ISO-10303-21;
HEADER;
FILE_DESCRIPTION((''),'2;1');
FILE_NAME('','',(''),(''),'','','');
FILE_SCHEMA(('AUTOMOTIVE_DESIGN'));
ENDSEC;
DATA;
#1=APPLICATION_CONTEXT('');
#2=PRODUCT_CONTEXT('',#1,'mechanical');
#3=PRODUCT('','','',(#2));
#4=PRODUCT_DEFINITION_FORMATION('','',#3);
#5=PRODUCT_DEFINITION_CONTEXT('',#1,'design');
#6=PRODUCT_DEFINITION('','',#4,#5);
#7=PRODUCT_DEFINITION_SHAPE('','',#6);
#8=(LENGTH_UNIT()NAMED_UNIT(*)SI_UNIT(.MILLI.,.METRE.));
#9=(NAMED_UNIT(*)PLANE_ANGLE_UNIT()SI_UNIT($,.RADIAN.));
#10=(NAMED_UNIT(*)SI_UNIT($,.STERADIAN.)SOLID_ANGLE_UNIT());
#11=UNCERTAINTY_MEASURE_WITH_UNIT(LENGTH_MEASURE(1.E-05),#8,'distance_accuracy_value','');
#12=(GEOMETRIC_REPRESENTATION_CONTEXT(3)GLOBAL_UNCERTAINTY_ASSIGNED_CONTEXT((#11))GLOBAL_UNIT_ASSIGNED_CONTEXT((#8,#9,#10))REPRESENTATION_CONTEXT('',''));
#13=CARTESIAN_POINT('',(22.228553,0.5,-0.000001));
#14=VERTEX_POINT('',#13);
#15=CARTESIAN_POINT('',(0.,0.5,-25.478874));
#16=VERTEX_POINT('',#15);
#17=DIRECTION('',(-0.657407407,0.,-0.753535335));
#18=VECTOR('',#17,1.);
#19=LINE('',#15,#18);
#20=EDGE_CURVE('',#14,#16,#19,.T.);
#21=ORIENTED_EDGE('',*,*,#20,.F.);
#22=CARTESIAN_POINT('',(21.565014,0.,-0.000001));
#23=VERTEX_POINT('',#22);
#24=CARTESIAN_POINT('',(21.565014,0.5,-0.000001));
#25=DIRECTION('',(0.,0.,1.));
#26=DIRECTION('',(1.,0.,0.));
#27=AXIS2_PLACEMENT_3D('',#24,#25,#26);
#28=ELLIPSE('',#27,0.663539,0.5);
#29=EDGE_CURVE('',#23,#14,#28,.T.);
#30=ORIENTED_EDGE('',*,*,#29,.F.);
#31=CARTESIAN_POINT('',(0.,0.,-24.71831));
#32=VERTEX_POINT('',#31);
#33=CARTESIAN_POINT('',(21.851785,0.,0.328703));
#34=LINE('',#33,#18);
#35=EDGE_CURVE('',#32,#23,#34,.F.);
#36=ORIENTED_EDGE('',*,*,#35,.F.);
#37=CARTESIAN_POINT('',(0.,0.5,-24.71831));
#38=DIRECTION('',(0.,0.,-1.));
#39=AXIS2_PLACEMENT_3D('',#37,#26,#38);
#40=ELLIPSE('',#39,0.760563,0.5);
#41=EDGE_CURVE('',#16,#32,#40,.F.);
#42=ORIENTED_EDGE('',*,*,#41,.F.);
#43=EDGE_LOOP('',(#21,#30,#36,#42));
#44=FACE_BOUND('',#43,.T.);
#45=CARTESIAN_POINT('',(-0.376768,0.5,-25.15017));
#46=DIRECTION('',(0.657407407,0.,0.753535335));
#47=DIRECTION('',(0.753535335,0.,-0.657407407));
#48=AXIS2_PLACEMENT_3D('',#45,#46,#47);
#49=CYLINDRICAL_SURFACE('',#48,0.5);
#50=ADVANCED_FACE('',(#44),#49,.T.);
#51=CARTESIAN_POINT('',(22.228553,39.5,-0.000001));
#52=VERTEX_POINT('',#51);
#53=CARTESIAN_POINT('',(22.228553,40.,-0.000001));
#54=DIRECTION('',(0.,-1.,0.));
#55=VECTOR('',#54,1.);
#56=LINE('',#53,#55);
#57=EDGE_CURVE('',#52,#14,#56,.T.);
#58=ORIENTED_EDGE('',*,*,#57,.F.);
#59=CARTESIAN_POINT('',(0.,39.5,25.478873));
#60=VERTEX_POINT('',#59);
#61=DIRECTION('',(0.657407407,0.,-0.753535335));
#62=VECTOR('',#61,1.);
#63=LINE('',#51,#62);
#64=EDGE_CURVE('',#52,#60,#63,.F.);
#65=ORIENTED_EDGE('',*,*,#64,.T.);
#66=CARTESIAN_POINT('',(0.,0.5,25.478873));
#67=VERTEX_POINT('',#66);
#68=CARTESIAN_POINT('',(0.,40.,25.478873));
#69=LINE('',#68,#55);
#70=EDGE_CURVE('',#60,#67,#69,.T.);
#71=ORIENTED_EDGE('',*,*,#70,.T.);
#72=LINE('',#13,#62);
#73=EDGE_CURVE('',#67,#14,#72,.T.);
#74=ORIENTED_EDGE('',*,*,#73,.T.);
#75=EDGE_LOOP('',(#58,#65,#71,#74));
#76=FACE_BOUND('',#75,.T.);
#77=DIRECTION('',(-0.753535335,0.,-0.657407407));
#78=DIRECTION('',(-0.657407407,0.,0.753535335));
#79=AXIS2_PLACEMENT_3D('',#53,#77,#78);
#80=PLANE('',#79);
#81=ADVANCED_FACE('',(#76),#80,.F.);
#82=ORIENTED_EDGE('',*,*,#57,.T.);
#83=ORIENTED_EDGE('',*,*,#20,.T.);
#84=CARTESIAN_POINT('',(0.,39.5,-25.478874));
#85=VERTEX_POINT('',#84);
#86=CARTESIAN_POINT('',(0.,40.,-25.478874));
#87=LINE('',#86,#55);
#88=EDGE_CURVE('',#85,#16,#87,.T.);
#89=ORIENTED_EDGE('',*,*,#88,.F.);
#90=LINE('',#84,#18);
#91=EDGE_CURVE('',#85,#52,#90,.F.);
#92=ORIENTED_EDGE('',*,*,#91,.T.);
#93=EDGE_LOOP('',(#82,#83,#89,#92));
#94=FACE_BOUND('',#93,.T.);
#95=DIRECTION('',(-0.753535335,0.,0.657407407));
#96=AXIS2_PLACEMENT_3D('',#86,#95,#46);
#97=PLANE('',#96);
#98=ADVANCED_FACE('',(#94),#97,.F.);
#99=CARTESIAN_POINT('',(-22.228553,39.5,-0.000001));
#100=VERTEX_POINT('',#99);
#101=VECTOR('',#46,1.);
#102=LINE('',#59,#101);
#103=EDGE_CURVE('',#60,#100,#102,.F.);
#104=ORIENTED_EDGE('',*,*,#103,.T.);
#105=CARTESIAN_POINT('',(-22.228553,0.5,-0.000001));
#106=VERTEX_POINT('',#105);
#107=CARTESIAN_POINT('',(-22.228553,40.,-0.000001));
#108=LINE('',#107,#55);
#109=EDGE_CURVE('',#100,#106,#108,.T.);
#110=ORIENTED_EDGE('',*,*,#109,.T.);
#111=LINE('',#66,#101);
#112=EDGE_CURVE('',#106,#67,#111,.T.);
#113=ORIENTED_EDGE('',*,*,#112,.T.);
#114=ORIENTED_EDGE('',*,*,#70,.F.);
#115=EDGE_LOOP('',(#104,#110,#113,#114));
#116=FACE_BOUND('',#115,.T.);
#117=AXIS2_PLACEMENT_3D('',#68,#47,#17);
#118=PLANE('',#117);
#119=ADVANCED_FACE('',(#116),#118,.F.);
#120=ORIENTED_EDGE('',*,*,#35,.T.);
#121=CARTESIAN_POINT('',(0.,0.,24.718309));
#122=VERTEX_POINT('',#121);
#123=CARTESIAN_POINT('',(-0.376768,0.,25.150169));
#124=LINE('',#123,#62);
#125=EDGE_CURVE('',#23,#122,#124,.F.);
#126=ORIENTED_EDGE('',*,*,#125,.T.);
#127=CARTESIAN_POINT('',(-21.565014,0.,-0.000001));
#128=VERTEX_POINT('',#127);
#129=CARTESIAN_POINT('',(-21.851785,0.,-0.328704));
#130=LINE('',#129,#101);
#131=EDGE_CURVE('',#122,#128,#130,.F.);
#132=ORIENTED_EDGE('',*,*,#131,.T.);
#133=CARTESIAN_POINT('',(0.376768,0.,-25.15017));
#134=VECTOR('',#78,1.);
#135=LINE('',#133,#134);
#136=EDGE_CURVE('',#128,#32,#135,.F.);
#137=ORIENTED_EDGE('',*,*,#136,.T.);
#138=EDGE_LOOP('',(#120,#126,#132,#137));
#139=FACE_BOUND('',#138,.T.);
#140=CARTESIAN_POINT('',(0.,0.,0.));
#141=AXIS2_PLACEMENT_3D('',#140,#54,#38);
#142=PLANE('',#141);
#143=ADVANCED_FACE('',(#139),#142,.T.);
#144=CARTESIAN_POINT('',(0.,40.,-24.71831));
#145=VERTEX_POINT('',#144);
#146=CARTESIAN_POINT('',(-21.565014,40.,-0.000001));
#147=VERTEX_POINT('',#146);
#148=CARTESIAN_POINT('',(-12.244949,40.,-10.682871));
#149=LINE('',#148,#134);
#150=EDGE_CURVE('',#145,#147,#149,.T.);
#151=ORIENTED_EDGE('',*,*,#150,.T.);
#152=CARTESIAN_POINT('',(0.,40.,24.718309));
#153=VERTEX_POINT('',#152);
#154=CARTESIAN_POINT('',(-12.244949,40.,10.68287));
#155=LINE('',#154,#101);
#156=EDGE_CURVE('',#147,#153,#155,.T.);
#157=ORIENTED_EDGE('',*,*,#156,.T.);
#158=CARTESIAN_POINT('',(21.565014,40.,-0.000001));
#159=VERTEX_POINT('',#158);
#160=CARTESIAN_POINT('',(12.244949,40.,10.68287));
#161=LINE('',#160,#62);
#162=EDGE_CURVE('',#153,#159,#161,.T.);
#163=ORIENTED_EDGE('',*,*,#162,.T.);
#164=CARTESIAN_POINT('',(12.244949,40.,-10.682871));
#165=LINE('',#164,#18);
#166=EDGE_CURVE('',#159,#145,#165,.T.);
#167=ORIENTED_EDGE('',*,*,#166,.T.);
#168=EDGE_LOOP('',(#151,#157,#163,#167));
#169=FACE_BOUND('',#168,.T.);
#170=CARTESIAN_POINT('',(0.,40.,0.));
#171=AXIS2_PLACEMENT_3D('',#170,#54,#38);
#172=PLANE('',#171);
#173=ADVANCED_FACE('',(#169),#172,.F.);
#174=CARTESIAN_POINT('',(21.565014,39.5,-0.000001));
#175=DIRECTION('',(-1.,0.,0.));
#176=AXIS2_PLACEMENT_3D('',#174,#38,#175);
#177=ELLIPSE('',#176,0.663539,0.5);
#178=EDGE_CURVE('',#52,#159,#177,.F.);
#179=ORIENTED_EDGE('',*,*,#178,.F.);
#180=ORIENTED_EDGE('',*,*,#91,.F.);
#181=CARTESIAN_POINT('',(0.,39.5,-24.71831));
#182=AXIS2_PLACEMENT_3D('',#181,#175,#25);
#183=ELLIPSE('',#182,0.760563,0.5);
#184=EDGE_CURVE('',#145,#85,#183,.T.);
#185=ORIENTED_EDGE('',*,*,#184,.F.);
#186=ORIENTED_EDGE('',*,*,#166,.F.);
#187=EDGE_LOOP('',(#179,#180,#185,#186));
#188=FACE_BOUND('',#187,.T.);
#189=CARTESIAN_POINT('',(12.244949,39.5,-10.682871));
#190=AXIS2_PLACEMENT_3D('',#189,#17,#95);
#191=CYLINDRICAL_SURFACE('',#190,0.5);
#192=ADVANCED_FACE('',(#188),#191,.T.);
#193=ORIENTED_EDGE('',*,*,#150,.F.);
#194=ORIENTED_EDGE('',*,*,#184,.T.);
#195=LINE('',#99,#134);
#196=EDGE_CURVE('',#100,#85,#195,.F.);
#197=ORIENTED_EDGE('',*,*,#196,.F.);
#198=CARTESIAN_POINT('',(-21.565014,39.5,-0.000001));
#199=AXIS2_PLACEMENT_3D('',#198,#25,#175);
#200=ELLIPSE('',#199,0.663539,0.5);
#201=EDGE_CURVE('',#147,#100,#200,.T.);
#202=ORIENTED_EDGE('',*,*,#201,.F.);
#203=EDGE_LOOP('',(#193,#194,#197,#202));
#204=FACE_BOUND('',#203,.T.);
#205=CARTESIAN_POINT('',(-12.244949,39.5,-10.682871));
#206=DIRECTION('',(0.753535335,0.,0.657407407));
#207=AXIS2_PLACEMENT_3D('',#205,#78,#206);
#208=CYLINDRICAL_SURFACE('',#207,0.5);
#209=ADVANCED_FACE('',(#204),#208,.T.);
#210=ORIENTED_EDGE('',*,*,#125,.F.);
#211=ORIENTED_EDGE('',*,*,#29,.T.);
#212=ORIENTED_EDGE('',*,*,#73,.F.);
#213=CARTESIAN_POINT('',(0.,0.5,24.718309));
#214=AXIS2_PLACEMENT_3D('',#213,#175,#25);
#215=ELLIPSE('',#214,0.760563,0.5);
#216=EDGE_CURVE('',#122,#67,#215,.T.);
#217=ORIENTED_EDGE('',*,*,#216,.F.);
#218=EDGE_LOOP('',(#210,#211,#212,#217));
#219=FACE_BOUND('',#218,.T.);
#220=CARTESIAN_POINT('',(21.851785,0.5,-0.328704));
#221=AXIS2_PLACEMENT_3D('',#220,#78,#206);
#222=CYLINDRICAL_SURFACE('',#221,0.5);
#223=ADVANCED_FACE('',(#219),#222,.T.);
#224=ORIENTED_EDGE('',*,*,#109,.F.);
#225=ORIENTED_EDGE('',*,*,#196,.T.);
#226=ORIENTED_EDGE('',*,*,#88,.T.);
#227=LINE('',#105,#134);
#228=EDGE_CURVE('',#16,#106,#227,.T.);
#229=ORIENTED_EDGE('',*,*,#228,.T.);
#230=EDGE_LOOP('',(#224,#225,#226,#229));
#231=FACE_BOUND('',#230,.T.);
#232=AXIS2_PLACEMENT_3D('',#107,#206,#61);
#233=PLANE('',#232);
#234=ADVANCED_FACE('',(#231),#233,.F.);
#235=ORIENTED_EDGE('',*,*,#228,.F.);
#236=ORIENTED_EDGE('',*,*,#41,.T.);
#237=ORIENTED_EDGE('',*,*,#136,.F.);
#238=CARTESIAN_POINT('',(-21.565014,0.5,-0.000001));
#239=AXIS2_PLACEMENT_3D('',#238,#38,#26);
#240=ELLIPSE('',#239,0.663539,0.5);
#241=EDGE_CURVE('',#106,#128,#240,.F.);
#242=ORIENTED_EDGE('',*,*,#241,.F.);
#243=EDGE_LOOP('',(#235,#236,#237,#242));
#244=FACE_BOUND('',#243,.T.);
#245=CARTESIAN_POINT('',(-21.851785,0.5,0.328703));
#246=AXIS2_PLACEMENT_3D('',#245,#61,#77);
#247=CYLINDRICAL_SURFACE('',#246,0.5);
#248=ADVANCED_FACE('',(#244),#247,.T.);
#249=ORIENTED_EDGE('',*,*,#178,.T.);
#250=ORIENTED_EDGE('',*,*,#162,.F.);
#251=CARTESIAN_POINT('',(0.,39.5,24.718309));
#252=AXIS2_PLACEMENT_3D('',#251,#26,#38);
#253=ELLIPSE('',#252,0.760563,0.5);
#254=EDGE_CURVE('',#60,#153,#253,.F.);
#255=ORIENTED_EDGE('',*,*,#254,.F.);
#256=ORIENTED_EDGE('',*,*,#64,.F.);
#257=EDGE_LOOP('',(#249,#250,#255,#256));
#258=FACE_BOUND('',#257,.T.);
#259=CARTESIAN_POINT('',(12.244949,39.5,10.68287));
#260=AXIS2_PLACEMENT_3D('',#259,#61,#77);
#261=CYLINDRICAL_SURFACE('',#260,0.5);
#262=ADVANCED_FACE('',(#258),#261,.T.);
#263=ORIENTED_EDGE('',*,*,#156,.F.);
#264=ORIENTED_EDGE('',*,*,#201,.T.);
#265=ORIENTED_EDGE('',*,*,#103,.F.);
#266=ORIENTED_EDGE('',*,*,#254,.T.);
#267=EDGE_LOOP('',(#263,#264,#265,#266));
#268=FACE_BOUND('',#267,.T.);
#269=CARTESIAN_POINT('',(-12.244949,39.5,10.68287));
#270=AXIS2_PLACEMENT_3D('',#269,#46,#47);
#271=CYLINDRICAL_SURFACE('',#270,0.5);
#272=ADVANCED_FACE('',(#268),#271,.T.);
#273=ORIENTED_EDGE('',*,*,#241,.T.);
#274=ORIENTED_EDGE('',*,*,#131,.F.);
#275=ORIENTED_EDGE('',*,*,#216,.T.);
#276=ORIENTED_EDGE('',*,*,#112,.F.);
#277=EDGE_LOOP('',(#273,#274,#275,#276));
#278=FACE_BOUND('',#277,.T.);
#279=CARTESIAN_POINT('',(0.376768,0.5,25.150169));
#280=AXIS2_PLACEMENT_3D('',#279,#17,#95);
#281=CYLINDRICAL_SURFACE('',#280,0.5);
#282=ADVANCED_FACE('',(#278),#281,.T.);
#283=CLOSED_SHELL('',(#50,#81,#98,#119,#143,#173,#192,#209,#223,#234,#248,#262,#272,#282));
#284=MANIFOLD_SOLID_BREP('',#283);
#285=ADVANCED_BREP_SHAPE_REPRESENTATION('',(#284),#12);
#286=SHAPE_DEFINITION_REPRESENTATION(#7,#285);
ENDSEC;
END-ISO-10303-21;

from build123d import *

# Parameters (mm, degrees)
BOSS_EXTRUDE1_DEPTH = 40
FILLET1_R           = 0.5


with BuildPart() as part:
    # Sketch1 → Boss-Extrude1 (new body)
    with BuildSketch(Plane(origin=(0, 0, 0), x_dir=(-1, 0, 0), z_dir=(0, 1, 0))):
        Polygon((22.228552834, -5.26e-07), (0, -25.478873765), (-22.228552834, -5.26e-07), (0, 25.478872714), align=None)
    extrude(amount=BOSS_EXTRUDE1_DEPTH)

    # Fillet1
    fillet1_edges = [part.edges().sort_by_distance(p)[0] for p in [
        (11.114276417, 40, -12.739437146),
        (-11.114276417, 40, -12.739437146),
        (-11.114276417, 40, 12.739436094),
        (-11.114276417, 0, -12.739437146),
        (11.114276417, 0, -12.739437146),
        (11.114276417, 0, 12.739436094),
        (-11.114276417, 0, 12.739436094),
        (11.114276417, 40, 12.739436094),
    ]]
    fillet(fillet1_edges, radius=FILLET1_R)


solid = part.part
